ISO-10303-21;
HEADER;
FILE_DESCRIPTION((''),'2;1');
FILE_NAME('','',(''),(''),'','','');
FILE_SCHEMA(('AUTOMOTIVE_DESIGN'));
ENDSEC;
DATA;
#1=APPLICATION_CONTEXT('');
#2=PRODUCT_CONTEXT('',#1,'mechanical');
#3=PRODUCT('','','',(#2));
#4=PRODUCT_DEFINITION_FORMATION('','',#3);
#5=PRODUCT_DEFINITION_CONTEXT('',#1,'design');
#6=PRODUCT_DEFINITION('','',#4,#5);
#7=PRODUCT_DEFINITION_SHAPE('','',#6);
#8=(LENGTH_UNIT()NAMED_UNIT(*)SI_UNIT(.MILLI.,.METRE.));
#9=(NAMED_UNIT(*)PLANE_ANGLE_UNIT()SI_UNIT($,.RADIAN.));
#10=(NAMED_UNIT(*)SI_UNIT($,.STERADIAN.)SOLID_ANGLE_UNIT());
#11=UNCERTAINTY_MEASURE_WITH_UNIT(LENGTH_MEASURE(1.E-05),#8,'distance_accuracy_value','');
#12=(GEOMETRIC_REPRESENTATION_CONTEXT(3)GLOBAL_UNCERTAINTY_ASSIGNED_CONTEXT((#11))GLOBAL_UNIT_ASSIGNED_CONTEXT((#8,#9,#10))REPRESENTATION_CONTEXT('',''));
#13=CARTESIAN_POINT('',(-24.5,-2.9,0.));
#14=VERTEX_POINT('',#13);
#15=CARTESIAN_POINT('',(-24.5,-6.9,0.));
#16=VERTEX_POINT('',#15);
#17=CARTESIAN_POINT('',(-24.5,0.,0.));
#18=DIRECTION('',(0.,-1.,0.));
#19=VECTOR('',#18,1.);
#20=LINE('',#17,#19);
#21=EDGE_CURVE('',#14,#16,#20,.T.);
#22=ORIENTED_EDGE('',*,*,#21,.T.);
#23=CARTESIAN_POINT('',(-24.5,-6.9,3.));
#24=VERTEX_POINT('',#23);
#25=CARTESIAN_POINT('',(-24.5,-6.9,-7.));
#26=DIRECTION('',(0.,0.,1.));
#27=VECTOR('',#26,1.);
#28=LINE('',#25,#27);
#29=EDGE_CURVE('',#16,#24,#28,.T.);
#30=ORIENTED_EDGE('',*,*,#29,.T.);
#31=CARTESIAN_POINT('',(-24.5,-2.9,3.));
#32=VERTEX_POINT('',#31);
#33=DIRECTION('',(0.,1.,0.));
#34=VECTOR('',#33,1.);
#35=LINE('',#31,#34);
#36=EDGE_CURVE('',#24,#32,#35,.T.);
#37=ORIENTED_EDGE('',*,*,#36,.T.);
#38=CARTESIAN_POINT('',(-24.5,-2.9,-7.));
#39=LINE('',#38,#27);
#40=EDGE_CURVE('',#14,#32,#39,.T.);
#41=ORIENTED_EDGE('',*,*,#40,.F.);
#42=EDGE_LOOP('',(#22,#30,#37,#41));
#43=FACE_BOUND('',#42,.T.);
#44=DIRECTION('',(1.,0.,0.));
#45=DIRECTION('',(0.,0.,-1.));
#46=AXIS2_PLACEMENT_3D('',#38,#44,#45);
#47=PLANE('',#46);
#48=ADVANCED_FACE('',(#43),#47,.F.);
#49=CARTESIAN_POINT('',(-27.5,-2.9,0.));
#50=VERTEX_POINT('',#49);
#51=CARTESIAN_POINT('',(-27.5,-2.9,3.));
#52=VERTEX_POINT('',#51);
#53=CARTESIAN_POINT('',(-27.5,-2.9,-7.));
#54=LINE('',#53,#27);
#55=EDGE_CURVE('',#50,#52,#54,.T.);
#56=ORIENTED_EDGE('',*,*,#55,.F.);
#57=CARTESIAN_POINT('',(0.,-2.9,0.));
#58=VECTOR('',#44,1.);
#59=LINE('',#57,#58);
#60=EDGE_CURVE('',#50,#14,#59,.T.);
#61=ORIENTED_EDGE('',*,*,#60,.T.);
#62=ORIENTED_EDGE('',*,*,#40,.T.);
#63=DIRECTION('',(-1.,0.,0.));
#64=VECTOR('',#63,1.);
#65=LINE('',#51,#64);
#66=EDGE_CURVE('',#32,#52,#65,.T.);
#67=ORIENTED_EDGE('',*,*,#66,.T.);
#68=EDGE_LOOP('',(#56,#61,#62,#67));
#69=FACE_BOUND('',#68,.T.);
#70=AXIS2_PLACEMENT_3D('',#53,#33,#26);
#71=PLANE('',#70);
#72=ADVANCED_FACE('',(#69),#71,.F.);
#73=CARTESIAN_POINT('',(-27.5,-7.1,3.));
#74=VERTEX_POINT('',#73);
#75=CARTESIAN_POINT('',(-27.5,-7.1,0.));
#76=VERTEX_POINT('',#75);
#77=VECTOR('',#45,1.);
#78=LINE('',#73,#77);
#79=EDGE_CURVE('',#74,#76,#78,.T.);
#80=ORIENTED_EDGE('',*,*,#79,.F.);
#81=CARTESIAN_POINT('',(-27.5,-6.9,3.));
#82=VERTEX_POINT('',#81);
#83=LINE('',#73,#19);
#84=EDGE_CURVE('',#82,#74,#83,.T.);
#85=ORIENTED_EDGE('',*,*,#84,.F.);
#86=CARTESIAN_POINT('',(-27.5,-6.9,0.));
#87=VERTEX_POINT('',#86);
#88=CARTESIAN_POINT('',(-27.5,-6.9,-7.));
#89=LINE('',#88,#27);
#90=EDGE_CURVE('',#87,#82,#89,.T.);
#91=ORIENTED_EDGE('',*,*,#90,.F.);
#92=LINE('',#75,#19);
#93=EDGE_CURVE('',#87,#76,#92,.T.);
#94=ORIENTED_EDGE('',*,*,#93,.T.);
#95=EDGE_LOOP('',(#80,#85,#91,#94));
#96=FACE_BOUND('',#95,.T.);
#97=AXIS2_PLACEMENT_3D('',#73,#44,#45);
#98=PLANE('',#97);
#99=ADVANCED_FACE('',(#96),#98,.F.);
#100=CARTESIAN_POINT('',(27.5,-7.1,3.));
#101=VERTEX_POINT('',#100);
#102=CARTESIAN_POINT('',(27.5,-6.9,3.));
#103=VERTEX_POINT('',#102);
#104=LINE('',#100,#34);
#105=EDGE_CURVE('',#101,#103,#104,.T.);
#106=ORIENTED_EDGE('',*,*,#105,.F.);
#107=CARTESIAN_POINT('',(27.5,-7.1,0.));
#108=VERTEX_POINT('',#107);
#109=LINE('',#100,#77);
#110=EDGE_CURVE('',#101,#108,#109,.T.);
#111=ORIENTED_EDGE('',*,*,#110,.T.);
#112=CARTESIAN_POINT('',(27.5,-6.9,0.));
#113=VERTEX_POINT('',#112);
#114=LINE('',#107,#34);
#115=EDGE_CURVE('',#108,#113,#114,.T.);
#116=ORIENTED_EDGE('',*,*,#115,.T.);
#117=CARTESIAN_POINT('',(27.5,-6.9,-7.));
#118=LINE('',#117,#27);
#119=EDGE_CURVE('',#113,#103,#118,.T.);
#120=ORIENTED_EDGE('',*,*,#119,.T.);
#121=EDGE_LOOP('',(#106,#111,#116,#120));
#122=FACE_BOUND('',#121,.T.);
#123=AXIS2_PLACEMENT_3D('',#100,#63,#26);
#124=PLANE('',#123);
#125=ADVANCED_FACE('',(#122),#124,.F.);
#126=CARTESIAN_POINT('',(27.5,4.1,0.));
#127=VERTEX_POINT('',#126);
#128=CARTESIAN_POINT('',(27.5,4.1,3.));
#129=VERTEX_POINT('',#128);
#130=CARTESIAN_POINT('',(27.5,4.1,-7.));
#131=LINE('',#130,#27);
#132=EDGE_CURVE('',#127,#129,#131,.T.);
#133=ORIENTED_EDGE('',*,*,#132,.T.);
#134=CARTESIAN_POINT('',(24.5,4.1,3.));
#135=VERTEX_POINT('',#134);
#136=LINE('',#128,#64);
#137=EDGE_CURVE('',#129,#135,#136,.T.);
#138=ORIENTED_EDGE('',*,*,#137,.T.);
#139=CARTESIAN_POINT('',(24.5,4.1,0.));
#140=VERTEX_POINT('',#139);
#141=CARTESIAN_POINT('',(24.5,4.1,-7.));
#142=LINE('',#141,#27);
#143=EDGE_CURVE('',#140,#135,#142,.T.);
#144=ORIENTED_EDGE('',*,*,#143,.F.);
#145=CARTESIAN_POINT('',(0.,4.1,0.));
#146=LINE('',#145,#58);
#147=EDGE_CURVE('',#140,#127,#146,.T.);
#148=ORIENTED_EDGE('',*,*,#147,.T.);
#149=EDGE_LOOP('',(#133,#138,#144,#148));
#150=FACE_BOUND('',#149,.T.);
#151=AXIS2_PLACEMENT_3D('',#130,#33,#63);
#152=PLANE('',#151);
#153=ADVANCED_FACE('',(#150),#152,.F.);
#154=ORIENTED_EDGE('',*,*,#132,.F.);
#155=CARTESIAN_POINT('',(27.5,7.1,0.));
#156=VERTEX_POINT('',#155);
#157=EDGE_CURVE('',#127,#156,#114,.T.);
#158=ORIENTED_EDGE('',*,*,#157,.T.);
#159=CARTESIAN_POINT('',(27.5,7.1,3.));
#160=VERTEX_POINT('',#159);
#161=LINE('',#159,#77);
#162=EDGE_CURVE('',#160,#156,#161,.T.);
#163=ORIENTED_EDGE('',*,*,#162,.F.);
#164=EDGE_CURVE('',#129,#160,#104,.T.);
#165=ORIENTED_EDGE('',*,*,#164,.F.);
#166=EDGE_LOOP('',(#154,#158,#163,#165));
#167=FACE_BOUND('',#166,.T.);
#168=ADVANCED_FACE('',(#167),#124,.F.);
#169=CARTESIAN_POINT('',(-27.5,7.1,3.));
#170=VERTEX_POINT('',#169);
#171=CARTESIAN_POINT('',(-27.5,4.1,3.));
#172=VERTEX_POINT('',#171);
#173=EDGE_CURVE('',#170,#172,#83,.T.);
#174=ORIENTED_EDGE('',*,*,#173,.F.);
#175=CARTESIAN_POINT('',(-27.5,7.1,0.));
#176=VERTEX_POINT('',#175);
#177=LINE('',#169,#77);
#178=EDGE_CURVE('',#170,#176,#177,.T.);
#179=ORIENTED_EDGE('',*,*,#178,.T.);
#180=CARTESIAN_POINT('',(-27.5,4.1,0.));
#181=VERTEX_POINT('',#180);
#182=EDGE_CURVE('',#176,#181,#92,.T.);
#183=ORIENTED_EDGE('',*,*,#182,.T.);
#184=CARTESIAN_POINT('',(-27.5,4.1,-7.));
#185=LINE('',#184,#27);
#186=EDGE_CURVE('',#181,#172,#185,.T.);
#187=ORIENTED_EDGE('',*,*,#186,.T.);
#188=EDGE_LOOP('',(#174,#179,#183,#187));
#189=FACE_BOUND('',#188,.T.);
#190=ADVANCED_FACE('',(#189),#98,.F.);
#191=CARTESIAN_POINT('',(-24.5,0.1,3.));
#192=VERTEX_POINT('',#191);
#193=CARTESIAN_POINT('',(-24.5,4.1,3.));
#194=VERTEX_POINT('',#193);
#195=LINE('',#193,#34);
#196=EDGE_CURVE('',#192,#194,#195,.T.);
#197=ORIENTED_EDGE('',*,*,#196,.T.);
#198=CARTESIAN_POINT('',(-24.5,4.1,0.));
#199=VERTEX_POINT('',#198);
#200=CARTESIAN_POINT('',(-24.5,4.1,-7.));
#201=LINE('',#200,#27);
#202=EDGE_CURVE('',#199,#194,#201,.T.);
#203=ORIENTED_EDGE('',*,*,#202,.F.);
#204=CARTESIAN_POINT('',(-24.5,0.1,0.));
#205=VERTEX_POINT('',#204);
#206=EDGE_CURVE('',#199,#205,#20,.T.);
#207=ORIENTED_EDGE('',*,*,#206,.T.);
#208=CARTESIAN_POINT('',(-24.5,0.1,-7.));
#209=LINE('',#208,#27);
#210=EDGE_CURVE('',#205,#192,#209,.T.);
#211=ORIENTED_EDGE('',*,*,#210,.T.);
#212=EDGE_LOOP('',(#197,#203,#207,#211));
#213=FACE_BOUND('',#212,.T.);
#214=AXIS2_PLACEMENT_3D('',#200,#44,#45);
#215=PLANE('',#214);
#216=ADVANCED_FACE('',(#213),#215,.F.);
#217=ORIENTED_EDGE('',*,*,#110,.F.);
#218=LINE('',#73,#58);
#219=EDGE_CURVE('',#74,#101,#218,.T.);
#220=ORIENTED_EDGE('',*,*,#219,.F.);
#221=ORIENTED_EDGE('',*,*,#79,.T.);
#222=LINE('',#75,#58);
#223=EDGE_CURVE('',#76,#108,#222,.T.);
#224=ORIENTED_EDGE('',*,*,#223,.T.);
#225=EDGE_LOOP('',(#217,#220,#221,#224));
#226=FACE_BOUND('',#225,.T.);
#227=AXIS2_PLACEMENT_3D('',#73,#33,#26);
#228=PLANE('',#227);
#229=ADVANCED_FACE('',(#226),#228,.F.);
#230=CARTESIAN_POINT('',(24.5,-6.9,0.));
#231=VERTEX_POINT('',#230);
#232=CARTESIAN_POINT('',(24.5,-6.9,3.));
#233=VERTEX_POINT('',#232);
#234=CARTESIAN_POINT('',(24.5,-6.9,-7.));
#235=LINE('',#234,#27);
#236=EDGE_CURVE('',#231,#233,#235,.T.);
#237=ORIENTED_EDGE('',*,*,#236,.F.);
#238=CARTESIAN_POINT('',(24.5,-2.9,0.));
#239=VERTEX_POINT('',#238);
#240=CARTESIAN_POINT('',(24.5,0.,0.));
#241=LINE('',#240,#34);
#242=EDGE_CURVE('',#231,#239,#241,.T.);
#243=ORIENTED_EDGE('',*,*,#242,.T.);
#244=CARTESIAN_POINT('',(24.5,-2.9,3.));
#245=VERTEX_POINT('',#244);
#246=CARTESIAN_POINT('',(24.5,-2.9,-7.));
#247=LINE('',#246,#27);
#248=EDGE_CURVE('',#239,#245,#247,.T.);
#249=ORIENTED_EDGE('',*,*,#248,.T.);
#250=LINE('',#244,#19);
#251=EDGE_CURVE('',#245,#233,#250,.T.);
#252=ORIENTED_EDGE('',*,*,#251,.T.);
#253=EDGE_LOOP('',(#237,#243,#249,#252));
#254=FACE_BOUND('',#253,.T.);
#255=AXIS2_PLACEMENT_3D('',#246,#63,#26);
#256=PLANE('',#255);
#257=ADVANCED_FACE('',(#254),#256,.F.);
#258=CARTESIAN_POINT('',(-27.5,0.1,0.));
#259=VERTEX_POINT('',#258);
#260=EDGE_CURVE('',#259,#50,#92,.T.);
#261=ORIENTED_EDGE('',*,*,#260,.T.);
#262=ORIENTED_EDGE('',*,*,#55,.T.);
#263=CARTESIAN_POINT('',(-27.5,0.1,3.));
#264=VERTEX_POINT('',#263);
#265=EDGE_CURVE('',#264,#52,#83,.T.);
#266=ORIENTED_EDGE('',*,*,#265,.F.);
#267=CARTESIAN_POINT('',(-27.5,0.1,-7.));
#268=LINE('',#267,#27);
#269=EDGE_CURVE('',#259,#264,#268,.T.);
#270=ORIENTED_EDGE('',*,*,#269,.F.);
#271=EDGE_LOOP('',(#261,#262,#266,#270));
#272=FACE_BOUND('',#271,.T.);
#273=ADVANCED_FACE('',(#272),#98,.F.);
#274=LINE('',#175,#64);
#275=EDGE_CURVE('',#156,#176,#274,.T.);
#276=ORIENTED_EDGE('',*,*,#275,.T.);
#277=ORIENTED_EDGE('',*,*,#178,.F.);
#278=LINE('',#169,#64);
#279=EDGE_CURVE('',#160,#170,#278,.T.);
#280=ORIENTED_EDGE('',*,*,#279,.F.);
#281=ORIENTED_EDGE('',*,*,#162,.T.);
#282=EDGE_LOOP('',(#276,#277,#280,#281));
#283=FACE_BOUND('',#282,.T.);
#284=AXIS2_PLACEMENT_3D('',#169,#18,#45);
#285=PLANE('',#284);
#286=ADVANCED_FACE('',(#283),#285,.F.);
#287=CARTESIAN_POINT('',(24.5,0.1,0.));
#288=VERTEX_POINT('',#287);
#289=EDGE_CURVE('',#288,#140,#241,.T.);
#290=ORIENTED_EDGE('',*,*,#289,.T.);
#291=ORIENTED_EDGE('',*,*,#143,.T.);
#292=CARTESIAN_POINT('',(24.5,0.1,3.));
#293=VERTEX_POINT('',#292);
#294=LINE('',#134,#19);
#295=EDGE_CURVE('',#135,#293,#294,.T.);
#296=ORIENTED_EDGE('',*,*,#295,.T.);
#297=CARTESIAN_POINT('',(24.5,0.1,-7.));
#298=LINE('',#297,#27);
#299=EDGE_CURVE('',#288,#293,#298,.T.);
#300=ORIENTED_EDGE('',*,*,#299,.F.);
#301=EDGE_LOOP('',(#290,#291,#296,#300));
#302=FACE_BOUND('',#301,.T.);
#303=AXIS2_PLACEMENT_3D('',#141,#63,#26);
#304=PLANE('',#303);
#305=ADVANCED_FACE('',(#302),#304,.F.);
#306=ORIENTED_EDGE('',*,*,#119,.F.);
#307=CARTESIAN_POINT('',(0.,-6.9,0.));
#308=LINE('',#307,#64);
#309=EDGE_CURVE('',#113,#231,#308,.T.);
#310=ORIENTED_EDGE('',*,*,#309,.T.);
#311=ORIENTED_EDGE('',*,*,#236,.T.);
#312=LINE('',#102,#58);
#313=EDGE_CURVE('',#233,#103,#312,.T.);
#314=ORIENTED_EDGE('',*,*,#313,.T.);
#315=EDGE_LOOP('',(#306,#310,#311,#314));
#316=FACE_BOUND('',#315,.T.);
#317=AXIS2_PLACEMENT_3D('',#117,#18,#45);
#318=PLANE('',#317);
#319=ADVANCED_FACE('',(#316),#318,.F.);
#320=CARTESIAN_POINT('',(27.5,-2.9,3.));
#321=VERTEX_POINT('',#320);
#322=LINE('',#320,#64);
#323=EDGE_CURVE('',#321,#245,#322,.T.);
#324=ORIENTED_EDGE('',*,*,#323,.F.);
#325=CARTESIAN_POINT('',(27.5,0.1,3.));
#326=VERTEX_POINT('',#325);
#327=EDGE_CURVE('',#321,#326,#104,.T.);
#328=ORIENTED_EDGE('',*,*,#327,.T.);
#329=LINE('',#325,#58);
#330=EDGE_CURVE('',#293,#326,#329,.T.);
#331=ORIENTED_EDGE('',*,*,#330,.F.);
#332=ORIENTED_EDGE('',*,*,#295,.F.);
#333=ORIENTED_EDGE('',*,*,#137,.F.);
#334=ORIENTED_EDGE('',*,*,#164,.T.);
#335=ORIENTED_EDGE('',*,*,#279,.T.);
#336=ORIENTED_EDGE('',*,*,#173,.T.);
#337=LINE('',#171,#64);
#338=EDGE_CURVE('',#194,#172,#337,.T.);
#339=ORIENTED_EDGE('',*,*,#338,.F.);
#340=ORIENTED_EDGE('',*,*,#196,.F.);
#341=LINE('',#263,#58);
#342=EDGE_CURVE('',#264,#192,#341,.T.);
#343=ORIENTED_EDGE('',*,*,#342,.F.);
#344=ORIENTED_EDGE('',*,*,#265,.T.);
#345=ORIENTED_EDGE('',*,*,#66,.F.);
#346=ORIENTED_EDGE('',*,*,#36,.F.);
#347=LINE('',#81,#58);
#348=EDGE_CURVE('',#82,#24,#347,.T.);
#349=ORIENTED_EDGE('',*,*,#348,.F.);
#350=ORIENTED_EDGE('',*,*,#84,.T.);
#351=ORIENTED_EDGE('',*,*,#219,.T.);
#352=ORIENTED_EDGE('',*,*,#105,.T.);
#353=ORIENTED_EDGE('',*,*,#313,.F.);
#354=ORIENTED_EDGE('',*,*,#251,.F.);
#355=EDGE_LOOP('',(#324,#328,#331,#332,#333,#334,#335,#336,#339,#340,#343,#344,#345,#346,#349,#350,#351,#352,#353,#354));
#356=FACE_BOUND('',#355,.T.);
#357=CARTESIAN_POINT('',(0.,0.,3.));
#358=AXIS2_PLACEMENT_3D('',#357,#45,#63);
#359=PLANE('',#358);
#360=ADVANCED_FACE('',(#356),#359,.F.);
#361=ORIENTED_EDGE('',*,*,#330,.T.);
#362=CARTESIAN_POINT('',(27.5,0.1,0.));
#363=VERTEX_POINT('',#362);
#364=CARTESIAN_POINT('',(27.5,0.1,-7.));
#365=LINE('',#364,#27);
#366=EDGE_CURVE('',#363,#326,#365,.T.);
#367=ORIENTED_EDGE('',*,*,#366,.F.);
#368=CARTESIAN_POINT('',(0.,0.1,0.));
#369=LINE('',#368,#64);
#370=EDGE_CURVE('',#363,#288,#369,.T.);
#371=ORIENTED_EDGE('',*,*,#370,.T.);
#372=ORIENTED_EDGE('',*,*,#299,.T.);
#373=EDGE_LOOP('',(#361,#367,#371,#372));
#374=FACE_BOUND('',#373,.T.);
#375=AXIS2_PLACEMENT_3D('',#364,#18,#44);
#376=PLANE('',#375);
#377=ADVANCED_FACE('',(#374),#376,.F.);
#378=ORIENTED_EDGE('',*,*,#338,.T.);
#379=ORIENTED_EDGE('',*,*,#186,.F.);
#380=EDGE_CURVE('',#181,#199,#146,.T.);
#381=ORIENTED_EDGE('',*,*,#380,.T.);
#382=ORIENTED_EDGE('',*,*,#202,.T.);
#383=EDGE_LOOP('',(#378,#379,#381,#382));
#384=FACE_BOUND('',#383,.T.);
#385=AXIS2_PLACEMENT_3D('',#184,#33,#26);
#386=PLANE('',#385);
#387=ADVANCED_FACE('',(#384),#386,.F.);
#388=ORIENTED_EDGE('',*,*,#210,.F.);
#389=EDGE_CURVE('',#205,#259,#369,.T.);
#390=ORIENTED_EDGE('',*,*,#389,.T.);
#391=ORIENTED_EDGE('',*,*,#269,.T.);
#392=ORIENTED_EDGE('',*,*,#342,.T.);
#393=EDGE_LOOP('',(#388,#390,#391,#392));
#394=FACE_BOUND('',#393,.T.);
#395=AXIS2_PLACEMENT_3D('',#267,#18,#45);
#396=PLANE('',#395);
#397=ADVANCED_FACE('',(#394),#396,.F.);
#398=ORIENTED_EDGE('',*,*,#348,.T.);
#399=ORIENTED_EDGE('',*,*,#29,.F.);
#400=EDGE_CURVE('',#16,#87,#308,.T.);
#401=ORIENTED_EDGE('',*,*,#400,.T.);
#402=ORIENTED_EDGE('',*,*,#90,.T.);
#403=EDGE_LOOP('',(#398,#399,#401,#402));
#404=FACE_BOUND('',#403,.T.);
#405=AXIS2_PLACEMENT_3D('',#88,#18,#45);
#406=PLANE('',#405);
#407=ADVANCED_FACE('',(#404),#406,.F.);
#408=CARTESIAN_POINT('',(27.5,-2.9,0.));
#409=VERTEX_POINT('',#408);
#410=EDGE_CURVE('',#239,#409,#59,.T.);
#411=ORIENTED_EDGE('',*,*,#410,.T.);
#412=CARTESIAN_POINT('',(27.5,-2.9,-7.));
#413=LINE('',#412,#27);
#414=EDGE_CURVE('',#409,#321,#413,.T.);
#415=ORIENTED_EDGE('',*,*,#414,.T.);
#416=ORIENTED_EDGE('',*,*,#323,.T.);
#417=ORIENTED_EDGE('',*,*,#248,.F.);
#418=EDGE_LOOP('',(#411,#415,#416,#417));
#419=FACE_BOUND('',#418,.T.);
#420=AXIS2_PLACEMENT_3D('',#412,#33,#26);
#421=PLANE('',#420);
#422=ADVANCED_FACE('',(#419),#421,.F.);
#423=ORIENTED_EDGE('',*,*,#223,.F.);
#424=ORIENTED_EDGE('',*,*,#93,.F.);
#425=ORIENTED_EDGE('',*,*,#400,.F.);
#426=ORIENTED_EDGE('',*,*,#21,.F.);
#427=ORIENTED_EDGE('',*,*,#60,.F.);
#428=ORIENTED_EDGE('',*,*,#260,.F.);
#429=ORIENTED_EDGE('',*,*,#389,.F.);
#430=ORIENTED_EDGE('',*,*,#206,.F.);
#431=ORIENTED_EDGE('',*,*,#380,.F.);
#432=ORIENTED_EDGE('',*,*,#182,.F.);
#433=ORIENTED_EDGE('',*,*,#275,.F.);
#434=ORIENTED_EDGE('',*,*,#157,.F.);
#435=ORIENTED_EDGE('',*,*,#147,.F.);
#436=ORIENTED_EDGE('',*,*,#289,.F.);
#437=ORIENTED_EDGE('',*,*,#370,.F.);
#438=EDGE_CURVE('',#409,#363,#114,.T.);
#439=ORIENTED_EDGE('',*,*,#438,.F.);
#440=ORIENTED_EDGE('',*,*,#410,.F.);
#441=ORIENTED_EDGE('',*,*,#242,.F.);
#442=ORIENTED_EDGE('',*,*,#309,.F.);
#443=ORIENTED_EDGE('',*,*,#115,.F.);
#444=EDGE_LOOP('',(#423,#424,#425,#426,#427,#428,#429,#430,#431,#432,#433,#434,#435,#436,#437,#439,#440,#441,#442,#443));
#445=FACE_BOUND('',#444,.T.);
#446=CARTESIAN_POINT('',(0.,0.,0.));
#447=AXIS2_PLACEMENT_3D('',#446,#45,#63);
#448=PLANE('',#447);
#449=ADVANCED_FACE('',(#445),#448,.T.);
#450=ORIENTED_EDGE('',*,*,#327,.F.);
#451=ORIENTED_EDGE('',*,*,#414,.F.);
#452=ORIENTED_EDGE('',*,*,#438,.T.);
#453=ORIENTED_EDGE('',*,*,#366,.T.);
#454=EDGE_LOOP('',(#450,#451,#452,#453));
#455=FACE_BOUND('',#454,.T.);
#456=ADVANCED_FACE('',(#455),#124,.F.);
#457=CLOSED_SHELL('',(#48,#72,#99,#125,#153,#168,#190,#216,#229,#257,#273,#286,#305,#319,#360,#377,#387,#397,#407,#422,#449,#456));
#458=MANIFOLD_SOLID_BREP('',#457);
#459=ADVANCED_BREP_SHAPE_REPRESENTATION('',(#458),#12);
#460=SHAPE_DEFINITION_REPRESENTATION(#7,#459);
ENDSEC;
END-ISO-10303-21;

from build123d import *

# Parameters (mm, degrees)
SKETCH1_W           = 55
SKETCH1_H           = 14.2
BOSS_EXTRUDE1_DEPTH = 3
SKETCH3_W           = 3
SKETCH3_H           = 4
CUT_EXTRUDE1_DEPTH  = 10
SKETCH4_W           = 3
SKETCH4_H           = 4
CUT_EXTRUDE2_DEPTH  = 10


with BuildPart() as part:
    # Sketch1 → Boss-Extrude1 (new body)
    with BuildSketch(Plane.XY):
        Rectangle(SKETCH1_W, SKETCH1_H)
    extrude(amount=BOSS_EXTRUDE1_DEPTH)

    # Sketch3 → Cut-Extrude1 (cut)
    with BuildSketch(Plane.XY.offset(3)):
        with Locations((-26, 2.1)):
            Rectangle(SKETCH3_W, SKETCH3_H)
        with Locations((-26, -4.9)):
            Rectangle(SKETCH3_W, SKETCH3_H)
    extrude(amount=-CUT_EXTRUDE1_DEPTH, mode=Mode.SUBTRACT)

    # Sketch4 → Cut-Extrude2 (cut)
    with BuildSketch(Plane.XY.offset(3)):
        with Locations((26, 2.1)):
            Rectangle(SKETCH4_W, SKETCH4_H)
        with Locations((26, -4.9)):
            Rectangle(SKETCH4_W, SKETCH4_H)
    extrude(amount=-CUT_EXTRUDE2_DEPTH, mode=Mode.SUBTRACT)


solid = part.part
